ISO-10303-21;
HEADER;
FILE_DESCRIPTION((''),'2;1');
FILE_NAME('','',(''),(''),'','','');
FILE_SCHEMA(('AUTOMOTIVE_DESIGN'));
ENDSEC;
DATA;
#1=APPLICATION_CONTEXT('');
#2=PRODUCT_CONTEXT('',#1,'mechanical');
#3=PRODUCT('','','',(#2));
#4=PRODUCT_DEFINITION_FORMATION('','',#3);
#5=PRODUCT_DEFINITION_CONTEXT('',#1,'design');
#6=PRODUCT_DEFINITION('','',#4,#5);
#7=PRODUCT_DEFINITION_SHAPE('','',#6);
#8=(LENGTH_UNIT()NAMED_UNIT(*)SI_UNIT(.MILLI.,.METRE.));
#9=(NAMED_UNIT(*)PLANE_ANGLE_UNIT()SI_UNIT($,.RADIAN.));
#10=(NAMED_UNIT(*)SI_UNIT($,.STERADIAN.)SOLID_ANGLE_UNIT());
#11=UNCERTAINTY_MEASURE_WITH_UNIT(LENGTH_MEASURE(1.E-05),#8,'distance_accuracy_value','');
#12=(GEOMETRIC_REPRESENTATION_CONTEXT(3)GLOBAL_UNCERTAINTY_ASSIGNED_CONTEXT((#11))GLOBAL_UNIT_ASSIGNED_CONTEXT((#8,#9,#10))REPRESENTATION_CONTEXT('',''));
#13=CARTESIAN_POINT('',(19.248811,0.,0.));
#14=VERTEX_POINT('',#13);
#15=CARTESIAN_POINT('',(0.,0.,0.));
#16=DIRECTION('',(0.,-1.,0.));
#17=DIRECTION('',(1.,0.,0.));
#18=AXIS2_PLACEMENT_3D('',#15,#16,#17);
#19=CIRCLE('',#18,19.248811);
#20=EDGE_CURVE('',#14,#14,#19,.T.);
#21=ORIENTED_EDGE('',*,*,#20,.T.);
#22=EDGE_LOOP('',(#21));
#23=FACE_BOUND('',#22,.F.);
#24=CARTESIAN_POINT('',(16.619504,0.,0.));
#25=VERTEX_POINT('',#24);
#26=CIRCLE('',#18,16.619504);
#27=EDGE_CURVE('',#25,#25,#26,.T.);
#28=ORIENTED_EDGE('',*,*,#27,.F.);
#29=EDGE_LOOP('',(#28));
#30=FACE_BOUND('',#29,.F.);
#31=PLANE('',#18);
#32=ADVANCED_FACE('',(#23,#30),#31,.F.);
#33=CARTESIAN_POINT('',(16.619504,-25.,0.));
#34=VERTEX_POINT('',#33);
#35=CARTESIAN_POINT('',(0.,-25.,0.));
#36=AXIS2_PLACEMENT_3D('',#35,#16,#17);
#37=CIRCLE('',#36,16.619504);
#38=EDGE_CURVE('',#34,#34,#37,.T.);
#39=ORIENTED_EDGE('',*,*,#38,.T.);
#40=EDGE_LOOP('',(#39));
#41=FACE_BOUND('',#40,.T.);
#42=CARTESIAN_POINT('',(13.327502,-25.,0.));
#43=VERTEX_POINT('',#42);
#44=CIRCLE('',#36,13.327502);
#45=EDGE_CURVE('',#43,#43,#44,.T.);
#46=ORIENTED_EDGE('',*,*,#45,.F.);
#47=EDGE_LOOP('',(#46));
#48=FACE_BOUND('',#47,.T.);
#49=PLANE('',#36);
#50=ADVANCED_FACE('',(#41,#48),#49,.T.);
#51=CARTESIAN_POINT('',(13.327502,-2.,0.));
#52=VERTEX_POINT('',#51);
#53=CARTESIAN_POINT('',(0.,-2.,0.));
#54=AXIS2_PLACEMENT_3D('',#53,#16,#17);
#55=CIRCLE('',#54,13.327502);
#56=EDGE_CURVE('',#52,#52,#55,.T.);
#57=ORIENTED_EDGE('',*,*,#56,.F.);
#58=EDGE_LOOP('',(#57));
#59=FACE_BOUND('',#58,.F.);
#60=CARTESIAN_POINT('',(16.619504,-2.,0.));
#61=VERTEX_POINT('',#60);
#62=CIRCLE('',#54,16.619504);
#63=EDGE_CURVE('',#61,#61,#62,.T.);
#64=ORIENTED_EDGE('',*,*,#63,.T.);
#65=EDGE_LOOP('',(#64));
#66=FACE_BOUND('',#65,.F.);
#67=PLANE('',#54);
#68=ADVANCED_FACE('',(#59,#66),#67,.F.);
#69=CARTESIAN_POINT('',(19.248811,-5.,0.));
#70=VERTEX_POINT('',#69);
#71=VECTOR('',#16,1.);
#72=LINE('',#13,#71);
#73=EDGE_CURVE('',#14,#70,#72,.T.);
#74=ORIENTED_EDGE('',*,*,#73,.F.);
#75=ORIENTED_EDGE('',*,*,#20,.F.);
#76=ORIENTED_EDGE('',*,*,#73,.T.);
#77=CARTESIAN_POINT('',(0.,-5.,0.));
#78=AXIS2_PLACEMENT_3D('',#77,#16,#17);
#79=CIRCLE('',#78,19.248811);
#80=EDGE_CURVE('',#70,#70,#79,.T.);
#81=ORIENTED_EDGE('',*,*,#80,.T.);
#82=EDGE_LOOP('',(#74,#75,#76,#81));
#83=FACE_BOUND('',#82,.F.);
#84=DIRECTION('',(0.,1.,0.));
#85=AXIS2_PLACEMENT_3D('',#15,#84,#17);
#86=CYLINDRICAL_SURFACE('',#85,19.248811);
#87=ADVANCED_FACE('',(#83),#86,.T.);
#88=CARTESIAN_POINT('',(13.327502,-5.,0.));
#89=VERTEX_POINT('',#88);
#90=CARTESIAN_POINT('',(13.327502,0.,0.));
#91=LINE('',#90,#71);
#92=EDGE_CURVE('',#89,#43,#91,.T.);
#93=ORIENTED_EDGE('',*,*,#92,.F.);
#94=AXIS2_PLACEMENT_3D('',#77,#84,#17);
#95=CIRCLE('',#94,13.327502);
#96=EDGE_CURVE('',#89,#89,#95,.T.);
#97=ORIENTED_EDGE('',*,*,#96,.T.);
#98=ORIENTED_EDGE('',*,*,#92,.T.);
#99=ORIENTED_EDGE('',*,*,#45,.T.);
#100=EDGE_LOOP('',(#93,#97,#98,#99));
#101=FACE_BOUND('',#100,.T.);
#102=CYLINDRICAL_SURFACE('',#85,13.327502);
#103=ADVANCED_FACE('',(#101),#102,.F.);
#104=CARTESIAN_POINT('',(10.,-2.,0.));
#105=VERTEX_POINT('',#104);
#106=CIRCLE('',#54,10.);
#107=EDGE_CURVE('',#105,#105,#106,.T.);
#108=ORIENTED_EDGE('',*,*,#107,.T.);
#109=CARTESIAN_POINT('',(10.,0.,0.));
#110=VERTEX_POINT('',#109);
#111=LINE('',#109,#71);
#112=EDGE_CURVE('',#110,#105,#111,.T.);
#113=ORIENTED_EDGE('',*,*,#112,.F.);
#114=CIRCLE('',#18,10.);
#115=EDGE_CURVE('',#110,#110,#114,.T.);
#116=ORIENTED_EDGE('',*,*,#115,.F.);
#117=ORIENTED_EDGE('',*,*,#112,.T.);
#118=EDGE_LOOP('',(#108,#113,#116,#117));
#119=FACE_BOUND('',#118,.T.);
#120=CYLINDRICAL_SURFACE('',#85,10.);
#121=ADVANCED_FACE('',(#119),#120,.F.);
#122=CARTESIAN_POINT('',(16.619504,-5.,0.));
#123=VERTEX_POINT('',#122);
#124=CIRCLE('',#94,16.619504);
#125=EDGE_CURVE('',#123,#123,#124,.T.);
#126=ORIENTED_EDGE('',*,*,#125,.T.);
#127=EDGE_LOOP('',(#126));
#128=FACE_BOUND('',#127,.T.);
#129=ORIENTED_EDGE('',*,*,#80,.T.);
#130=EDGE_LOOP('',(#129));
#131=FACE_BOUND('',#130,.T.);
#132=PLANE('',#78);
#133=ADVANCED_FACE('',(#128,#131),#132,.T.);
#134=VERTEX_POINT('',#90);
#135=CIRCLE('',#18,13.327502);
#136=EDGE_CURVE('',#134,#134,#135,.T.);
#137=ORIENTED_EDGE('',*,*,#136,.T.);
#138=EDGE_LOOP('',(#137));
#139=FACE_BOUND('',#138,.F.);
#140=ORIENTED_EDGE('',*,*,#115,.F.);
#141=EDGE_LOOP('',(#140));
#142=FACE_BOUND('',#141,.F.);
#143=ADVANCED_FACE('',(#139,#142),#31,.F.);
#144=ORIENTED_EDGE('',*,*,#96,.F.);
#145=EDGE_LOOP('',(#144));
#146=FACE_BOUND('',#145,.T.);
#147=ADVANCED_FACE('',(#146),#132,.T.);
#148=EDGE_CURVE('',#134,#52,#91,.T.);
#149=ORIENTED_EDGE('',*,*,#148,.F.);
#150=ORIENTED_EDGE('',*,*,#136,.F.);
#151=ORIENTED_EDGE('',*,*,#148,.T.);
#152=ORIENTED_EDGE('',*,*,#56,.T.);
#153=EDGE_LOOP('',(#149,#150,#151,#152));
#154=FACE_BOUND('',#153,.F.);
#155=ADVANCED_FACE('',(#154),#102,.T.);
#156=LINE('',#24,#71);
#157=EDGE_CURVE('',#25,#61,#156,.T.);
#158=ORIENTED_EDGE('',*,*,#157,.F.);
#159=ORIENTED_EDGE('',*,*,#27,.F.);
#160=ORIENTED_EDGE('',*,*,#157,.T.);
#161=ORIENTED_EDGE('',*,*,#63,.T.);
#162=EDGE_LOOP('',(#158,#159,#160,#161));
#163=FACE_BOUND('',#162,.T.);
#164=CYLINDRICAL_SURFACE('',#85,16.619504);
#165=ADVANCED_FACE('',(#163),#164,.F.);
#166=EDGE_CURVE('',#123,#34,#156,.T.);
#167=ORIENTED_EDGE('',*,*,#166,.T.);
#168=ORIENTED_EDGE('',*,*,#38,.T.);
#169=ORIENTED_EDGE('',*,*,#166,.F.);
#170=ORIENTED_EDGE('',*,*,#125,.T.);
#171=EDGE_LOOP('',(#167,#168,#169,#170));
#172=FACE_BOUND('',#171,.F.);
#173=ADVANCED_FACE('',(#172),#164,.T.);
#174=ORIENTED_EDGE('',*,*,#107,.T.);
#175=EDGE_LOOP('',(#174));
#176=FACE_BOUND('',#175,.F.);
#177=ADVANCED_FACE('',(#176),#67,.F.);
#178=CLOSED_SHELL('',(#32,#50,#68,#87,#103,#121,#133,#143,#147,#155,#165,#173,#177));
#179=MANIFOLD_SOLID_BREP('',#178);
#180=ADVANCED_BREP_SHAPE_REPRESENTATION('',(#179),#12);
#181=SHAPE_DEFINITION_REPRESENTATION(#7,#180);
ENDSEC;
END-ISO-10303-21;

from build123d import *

# Parameters (mm, degrees)
F0_R     = 19.248811
F2_DEPTH = 5
F1_R     = 10
F3_DEPTH = 2
F1_R_2   = 16.619504
F1_R_3   = 13.327502
F4_DEPTH = 25
F5_DEPTH = 2


with BuildPart() as f2:
    # F0 (on Front) → F2 (new body)
    with BuildSketch(Plane.XZ):
        Circle(F0_R)
    extrude(amount=F2_DEPTH)

    # F1 (on Front) → F3 (cut)
    with BuildSketch(Plane.XZ):
        Circle(F1_R)
    extrude(amount=F3_DEPTH, mode=Mode.SUBTRACT)

    # F1 (on Front) → F4 (join)
    with BuildSketch(Plane.XZ):
        Circle(F1_R_2)
        Circle(F1_R_3, mode=Mode.SUBTRACT)
    extrude(amount=F4_DEPTH)

    # F1 (on Front) → F5 (cut)
    with BuildSketch(Plane.XZ):
        Circle(F1_R_2)
        Circle(F1_R_3, mode=Mode.SUBTRACT)
    extrude(amount=F5_DEPTH, mode=Mode.SUBTRACT)


solid = f2.part
